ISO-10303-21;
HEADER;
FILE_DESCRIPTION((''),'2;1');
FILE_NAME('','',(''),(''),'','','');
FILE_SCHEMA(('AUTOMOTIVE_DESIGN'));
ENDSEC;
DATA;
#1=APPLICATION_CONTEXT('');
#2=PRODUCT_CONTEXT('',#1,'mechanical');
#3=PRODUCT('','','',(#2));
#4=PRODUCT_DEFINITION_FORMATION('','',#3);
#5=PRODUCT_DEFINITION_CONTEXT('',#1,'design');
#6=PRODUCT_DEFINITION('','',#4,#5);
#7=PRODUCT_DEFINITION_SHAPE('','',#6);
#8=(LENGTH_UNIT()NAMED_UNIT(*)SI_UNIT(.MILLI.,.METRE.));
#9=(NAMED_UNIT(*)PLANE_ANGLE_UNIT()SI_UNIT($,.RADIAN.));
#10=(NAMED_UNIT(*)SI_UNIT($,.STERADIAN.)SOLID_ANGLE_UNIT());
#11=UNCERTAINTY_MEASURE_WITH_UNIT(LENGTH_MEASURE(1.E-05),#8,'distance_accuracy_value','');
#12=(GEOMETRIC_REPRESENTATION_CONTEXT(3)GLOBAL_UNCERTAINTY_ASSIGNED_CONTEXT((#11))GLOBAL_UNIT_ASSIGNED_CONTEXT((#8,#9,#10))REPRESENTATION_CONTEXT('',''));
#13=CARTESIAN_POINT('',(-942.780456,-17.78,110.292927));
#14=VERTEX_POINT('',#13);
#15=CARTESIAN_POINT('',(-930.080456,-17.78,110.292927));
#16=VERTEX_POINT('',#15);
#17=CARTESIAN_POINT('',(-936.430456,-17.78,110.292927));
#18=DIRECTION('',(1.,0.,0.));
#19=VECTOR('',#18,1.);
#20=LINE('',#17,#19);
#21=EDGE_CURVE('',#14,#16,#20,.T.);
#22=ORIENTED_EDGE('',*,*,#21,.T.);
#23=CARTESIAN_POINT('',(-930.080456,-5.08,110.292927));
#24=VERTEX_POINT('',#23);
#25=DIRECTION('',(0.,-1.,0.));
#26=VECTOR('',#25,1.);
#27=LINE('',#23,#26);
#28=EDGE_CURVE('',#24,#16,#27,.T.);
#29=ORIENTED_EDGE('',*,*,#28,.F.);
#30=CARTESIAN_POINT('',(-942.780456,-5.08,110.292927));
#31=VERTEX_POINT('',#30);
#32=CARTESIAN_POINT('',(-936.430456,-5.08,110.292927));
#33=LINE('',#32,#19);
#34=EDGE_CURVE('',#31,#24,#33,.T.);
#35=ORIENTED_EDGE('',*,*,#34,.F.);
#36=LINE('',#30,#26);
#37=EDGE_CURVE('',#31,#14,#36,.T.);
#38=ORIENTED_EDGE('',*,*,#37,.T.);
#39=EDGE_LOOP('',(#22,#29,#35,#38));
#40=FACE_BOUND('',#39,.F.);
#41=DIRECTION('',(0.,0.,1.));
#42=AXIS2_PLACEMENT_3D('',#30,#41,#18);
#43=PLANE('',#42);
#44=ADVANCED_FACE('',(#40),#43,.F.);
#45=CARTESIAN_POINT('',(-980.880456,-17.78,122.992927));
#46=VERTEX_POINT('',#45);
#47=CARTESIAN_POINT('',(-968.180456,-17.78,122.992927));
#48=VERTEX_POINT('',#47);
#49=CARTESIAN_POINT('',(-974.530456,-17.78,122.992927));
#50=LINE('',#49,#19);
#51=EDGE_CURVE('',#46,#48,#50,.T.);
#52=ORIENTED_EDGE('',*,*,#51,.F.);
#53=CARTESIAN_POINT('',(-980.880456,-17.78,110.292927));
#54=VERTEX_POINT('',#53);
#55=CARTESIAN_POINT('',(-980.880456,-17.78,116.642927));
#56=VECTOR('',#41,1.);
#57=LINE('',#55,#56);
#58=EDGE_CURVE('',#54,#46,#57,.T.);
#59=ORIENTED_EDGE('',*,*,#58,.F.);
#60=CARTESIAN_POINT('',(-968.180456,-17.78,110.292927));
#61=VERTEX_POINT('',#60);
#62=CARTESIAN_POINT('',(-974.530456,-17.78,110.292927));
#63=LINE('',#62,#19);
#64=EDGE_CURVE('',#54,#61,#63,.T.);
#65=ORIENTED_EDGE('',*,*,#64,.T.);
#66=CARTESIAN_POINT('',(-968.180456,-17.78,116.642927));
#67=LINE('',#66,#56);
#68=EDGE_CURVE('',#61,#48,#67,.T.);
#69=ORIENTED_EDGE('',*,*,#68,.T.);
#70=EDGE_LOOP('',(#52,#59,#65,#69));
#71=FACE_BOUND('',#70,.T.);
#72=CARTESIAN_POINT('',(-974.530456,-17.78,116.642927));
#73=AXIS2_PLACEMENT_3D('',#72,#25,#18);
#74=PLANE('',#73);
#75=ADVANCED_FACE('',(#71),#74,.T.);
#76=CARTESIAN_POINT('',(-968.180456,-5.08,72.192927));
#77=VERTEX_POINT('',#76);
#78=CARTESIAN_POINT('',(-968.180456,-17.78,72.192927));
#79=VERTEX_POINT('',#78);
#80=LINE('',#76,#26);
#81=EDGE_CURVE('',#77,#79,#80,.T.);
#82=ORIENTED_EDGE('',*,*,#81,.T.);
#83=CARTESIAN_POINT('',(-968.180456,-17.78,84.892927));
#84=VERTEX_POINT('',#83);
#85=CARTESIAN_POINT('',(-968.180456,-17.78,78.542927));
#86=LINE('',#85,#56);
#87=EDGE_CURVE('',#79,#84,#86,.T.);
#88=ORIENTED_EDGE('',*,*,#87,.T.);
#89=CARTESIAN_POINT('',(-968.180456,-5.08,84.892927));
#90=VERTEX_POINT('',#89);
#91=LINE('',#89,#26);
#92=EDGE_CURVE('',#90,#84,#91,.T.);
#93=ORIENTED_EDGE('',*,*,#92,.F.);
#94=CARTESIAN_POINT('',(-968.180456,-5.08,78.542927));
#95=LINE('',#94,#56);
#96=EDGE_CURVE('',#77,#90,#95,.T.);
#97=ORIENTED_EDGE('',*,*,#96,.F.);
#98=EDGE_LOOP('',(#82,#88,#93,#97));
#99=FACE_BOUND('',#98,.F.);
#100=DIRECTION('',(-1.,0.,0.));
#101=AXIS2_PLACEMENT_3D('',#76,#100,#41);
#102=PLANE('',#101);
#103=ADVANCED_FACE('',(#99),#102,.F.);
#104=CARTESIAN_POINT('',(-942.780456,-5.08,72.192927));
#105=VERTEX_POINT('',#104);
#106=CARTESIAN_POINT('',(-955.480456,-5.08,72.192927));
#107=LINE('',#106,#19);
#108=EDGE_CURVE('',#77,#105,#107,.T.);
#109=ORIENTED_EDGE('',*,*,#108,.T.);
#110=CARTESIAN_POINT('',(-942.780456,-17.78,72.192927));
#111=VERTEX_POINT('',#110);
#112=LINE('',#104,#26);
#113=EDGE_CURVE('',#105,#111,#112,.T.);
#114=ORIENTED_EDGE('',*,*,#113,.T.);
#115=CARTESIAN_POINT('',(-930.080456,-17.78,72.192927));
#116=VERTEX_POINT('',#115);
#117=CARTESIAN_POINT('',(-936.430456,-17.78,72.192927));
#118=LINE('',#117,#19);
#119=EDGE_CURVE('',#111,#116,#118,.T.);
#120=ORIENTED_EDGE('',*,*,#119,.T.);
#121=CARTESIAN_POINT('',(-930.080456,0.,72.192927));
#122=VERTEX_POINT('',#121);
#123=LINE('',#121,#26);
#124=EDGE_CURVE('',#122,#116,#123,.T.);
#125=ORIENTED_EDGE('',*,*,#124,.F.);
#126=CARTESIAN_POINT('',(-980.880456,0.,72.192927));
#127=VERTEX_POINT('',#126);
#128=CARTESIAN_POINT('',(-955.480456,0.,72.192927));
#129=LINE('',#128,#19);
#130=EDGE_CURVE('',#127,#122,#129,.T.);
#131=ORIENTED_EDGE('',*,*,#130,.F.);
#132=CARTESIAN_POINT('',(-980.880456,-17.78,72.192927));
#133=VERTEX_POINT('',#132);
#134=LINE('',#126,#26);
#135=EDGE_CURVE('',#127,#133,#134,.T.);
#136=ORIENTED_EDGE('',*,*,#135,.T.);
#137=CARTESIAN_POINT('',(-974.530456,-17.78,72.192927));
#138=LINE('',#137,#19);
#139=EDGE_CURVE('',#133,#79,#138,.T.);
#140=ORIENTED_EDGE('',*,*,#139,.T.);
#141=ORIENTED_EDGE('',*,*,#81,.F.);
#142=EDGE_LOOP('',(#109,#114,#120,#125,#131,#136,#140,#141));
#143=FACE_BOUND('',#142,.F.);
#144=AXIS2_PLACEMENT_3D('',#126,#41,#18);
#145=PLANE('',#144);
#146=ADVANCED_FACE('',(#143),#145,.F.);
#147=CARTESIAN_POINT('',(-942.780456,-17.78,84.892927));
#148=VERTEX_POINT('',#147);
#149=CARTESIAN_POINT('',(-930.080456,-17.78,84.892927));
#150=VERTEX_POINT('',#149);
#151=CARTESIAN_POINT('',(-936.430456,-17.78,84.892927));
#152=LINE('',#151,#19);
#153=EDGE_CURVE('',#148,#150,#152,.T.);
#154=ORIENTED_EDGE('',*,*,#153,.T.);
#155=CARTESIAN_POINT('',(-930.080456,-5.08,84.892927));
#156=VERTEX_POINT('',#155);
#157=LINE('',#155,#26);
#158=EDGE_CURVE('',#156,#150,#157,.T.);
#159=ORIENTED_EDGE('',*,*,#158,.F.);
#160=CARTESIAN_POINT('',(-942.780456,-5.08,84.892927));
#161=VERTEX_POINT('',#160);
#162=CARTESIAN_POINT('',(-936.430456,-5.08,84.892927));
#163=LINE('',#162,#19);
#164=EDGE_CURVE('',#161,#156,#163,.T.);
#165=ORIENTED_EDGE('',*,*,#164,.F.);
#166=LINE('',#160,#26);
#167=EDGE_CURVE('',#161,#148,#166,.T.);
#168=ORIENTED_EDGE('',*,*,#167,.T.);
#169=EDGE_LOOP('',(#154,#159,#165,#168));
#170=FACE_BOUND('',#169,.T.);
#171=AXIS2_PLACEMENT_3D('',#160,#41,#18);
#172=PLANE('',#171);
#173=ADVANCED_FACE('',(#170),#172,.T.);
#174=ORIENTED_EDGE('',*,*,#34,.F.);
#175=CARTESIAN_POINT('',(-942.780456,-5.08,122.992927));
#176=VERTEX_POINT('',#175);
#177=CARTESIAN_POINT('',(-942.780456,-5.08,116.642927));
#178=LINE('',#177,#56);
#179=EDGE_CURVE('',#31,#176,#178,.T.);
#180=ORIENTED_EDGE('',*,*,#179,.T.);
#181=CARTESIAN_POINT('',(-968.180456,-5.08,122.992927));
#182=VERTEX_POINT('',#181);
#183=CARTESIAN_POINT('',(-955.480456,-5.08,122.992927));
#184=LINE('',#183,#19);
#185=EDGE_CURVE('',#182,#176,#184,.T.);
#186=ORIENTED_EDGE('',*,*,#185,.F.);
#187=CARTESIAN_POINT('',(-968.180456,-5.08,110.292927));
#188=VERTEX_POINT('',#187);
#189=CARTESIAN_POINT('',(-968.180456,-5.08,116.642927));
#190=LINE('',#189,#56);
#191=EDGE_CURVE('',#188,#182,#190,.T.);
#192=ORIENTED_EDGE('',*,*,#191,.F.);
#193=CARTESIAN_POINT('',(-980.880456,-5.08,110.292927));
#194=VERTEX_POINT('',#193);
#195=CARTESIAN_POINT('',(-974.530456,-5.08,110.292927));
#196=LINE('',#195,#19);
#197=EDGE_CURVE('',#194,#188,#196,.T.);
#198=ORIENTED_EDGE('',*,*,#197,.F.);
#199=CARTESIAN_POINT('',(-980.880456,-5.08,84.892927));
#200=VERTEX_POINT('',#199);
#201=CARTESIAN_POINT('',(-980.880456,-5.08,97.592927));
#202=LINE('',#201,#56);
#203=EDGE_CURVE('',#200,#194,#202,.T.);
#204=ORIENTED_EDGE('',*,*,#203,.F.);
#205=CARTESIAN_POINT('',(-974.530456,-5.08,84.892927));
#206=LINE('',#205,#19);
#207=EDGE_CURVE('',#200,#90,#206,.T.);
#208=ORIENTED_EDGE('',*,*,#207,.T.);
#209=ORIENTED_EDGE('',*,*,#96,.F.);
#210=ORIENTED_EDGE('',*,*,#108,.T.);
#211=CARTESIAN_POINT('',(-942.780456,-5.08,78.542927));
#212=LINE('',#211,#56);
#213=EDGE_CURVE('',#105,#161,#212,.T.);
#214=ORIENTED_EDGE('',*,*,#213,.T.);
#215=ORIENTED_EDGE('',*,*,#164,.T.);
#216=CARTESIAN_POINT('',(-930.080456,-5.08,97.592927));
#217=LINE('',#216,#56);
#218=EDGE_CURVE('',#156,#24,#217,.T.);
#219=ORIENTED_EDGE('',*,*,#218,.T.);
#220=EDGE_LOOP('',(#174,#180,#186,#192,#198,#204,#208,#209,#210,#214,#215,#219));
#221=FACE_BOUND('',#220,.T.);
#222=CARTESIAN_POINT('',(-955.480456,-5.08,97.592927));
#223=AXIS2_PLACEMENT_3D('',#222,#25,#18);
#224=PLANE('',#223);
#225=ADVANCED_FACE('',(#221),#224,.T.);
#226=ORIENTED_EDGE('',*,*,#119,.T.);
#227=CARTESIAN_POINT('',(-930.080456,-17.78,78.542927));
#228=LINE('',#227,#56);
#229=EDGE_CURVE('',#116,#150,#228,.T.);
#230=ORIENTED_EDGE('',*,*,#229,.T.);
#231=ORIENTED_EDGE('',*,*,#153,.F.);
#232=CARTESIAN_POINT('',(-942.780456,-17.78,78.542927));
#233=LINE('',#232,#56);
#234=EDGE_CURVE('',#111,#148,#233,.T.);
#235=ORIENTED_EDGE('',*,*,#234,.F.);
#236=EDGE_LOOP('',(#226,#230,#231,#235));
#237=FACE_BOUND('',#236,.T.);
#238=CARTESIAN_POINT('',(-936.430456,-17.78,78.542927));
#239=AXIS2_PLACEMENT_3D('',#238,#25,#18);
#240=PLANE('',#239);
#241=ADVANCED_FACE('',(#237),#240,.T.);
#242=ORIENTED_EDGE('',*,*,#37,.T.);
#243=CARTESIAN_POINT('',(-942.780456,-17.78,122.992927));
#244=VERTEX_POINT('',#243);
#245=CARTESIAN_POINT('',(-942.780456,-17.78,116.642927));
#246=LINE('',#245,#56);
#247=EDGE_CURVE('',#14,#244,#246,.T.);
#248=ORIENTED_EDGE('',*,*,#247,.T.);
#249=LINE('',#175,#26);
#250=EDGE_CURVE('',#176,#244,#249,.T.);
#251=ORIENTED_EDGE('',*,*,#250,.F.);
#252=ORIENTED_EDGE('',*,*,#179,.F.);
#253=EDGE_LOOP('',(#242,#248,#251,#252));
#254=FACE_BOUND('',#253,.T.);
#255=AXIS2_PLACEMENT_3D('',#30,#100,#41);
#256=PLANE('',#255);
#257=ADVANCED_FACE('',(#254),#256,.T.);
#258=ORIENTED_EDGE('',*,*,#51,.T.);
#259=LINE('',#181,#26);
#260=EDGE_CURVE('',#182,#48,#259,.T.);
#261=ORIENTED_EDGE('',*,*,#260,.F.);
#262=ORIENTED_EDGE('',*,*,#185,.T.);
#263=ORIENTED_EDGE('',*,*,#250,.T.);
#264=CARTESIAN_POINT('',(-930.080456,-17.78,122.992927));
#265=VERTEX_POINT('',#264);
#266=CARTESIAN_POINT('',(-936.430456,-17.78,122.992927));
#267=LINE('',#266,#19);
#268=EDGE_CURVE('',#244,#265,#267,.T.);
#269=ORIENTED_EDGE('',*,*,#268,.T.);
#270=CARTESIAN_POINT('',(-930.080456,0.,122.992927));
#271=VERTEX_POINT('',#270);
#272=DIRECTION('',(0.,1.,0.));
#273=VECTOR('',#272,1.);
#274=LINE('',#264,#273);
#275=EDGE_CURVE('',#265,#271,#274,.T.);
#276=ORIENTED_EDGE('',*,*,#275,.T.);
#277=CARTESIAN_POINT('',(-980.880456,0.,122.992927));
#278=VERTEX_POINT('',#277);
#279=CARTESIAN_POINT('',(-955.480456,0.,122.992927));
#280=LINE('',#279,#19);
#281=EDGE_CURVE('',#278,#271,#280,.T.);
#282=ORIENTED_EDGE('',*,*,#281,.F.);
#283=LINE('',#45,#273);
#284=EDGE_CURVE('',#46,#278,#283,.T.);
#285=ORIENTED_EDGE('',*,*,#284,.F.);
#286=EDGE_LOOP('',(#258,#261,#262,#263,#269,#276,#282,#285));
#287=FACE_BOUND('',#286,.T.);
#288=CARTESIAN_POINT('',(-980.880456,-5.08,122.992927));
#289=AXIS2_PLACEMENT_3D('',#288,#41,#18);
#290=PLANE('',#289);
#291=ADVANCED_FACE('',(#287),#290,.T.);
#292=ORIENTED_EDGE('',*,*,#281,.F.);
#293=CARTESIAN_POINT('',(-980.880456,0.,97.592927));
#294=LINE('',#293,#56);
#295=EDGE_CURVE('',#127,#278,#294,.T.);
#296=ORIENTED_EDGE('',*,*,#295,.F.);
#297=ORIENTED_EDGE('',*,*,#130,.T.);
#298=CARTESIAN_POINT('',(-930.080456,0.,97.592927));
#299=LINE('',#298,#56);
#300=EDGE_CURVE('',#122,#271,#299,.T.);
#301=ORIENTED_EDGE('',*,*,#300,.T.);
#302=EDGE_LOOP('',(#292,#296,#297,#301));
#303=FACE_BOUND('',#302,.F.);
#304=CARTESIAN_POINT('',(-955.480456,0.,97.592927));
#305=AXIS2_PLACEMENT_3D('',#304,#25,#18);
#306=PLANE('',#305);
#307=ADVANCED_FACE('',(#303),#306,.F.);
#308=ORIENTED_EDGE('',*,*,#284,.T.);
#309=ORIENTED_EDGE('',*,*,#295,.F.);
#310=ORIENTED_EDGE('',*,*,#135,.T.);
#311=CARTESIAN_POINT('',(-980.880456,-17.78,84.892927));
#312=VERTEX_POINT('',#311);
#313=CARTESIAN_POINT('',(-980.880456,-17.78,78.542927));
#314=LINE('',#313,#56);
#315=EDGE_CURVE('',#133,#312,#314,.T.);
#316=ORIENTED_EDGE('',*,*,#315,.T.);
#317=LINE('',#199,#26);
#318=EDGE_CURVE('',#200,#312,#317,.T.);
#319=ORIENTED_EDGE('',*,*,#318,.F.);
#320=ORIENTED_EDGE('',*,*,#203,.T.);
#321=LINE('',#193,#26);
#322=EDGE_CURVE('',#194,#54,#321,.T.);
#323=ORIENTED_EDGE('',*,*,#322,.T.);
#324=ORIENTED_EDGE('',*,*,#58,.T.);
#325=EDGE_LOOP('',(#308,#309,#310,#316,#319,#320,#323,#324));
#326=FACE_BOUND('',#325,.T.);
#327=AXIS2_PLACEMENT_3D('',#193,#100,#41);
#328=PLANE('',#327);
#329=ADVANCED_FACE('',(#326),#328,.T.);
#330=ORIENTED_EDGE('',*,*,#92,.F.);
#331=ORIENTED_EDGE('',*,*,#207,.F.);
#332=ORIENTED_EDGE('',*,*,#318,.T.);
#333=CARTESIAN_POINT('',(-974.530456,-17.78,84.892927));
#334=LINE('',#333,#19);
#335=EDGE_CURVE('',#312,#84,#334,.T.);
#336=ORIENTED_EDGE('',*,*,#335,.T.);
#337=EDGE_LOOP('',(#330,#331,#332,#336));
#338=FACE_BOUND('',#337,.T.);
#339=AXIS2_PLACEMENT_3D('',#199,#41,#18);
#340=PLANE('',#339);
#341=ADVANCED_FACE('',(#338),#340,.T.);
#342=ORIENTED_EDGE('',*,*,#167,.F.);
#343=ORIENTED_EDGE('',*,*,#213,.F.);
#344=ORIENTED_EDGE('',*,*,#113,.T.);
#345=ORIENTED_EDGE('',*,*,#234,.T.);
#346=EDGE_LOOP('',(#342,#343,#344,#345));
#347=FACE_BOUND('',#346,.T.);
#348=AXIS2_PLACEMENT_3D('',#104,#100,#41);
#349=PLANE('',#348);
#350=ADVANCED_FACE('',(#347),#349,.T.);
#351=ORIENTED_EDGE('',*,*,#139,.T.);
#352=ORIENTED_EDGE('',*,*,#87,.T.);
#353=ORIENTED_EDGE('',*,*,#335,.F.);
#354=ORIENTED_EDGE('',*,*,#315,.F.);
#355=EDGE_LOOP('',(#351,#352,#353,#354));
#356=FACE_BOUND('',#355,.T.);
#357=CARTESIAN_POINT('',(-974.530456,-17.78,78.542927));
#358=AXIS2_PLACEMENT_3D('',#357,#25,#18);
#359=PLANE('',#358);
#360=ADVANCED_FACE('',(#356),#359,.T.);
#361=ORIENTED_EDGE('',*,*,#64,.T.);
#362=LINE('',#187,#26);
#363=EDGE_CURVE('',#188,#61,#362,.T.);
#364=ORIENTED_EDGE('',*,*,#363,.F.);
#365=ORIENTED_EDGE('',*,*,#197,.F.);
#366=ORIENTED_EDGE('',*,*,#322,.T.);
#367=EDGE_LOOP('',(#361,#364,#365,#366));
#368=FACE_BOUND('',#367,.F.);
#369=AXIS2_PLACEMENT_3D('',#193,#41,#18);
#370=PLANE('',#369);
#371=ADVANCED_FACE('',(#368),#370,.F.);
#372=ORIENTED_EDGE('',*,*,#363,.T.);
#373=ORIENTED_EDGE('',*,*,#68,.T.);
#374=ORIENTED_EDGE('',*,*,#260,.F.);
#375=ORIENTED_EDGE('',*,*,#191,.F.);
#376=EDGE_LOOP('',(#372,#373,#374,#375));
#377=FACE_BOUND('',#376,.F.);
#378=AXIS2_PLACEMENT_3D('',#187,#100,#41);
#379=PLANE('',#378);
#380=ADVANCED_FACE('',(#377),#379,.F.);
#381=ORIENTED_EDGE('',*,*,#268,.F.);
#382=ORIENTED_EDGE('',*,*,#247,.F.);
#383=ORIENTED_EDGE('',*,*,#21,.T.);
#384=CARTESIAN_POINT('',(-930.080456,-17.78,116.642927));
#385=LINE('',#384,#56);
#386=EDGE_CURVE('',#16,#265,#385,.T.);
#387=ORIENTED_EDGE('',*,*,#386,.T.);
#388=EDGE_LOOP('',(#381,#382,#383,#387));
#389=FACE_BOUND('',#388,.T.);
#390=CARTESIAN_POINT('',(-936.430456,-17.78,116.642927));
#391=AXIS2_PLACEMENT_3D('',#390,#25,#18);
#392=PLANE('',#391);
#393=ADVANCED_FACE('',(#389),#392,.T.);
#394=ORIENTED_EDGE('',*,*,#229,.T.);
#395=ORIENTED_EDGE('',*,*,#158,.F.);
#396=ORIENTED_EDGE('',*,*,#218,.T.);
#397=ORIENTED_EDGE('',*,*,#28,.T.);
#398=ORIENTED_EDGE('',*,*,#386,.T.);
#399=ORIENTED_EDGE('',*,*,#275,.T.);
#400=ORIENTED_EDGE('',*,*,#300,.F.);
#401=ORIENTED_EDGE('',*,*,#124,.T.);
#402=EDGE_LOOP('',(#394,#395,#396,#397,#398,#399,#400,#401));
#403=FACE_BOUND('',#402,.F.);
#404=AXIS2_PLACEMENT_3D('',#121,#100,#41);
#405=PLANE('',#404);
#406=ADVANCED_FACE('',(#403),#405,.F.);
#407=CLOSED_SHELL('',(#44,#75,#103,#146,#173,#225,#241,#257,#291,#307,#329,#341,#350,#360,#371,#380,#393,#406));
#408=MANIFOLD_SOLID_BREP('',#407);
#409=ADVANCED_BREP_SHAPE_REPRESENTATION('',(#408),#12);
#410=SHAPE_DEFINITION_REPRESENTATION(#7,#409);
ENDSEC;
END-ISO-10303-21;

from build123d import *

# Parameters (mm, degrees)
F0_W     = 50.8
F0_H     = 50.8
F1_DEPTH = 5.08
F2_W     = 12.7
F2_H     = 12.7
F3_DEPTH = 12.7


with BuildPart() as f1:
    # F0 (on Front) → F1 (new body)
    with BuildSketch(Plane.XZ):
        with Locations((-955.480456, 97.592927)):
            Rectangle(F0_W, F0_H)
    extrude(amount=F1_DEPTH)

    # F2 (on face) → F3 (join)
    with BuildSketch(Plane.XZ.offset(5.08)):
        with Locations((-974.530456, 116.642927)):
            Rectangle(F2_W, F2_H)
        with Locations((-936.430456, 116.642927)):
            Rectangle(F2_W, F2_H)
        with Locations((-974.530456, 78.542927)):
            Rectangle(F2_W, F2_H)
        with Locations((-936.430456, 78.542927)):
            Rectangle(F2_W, F2_H)
    extrude(amount=F3_DEPTH)


solid = f1.part
